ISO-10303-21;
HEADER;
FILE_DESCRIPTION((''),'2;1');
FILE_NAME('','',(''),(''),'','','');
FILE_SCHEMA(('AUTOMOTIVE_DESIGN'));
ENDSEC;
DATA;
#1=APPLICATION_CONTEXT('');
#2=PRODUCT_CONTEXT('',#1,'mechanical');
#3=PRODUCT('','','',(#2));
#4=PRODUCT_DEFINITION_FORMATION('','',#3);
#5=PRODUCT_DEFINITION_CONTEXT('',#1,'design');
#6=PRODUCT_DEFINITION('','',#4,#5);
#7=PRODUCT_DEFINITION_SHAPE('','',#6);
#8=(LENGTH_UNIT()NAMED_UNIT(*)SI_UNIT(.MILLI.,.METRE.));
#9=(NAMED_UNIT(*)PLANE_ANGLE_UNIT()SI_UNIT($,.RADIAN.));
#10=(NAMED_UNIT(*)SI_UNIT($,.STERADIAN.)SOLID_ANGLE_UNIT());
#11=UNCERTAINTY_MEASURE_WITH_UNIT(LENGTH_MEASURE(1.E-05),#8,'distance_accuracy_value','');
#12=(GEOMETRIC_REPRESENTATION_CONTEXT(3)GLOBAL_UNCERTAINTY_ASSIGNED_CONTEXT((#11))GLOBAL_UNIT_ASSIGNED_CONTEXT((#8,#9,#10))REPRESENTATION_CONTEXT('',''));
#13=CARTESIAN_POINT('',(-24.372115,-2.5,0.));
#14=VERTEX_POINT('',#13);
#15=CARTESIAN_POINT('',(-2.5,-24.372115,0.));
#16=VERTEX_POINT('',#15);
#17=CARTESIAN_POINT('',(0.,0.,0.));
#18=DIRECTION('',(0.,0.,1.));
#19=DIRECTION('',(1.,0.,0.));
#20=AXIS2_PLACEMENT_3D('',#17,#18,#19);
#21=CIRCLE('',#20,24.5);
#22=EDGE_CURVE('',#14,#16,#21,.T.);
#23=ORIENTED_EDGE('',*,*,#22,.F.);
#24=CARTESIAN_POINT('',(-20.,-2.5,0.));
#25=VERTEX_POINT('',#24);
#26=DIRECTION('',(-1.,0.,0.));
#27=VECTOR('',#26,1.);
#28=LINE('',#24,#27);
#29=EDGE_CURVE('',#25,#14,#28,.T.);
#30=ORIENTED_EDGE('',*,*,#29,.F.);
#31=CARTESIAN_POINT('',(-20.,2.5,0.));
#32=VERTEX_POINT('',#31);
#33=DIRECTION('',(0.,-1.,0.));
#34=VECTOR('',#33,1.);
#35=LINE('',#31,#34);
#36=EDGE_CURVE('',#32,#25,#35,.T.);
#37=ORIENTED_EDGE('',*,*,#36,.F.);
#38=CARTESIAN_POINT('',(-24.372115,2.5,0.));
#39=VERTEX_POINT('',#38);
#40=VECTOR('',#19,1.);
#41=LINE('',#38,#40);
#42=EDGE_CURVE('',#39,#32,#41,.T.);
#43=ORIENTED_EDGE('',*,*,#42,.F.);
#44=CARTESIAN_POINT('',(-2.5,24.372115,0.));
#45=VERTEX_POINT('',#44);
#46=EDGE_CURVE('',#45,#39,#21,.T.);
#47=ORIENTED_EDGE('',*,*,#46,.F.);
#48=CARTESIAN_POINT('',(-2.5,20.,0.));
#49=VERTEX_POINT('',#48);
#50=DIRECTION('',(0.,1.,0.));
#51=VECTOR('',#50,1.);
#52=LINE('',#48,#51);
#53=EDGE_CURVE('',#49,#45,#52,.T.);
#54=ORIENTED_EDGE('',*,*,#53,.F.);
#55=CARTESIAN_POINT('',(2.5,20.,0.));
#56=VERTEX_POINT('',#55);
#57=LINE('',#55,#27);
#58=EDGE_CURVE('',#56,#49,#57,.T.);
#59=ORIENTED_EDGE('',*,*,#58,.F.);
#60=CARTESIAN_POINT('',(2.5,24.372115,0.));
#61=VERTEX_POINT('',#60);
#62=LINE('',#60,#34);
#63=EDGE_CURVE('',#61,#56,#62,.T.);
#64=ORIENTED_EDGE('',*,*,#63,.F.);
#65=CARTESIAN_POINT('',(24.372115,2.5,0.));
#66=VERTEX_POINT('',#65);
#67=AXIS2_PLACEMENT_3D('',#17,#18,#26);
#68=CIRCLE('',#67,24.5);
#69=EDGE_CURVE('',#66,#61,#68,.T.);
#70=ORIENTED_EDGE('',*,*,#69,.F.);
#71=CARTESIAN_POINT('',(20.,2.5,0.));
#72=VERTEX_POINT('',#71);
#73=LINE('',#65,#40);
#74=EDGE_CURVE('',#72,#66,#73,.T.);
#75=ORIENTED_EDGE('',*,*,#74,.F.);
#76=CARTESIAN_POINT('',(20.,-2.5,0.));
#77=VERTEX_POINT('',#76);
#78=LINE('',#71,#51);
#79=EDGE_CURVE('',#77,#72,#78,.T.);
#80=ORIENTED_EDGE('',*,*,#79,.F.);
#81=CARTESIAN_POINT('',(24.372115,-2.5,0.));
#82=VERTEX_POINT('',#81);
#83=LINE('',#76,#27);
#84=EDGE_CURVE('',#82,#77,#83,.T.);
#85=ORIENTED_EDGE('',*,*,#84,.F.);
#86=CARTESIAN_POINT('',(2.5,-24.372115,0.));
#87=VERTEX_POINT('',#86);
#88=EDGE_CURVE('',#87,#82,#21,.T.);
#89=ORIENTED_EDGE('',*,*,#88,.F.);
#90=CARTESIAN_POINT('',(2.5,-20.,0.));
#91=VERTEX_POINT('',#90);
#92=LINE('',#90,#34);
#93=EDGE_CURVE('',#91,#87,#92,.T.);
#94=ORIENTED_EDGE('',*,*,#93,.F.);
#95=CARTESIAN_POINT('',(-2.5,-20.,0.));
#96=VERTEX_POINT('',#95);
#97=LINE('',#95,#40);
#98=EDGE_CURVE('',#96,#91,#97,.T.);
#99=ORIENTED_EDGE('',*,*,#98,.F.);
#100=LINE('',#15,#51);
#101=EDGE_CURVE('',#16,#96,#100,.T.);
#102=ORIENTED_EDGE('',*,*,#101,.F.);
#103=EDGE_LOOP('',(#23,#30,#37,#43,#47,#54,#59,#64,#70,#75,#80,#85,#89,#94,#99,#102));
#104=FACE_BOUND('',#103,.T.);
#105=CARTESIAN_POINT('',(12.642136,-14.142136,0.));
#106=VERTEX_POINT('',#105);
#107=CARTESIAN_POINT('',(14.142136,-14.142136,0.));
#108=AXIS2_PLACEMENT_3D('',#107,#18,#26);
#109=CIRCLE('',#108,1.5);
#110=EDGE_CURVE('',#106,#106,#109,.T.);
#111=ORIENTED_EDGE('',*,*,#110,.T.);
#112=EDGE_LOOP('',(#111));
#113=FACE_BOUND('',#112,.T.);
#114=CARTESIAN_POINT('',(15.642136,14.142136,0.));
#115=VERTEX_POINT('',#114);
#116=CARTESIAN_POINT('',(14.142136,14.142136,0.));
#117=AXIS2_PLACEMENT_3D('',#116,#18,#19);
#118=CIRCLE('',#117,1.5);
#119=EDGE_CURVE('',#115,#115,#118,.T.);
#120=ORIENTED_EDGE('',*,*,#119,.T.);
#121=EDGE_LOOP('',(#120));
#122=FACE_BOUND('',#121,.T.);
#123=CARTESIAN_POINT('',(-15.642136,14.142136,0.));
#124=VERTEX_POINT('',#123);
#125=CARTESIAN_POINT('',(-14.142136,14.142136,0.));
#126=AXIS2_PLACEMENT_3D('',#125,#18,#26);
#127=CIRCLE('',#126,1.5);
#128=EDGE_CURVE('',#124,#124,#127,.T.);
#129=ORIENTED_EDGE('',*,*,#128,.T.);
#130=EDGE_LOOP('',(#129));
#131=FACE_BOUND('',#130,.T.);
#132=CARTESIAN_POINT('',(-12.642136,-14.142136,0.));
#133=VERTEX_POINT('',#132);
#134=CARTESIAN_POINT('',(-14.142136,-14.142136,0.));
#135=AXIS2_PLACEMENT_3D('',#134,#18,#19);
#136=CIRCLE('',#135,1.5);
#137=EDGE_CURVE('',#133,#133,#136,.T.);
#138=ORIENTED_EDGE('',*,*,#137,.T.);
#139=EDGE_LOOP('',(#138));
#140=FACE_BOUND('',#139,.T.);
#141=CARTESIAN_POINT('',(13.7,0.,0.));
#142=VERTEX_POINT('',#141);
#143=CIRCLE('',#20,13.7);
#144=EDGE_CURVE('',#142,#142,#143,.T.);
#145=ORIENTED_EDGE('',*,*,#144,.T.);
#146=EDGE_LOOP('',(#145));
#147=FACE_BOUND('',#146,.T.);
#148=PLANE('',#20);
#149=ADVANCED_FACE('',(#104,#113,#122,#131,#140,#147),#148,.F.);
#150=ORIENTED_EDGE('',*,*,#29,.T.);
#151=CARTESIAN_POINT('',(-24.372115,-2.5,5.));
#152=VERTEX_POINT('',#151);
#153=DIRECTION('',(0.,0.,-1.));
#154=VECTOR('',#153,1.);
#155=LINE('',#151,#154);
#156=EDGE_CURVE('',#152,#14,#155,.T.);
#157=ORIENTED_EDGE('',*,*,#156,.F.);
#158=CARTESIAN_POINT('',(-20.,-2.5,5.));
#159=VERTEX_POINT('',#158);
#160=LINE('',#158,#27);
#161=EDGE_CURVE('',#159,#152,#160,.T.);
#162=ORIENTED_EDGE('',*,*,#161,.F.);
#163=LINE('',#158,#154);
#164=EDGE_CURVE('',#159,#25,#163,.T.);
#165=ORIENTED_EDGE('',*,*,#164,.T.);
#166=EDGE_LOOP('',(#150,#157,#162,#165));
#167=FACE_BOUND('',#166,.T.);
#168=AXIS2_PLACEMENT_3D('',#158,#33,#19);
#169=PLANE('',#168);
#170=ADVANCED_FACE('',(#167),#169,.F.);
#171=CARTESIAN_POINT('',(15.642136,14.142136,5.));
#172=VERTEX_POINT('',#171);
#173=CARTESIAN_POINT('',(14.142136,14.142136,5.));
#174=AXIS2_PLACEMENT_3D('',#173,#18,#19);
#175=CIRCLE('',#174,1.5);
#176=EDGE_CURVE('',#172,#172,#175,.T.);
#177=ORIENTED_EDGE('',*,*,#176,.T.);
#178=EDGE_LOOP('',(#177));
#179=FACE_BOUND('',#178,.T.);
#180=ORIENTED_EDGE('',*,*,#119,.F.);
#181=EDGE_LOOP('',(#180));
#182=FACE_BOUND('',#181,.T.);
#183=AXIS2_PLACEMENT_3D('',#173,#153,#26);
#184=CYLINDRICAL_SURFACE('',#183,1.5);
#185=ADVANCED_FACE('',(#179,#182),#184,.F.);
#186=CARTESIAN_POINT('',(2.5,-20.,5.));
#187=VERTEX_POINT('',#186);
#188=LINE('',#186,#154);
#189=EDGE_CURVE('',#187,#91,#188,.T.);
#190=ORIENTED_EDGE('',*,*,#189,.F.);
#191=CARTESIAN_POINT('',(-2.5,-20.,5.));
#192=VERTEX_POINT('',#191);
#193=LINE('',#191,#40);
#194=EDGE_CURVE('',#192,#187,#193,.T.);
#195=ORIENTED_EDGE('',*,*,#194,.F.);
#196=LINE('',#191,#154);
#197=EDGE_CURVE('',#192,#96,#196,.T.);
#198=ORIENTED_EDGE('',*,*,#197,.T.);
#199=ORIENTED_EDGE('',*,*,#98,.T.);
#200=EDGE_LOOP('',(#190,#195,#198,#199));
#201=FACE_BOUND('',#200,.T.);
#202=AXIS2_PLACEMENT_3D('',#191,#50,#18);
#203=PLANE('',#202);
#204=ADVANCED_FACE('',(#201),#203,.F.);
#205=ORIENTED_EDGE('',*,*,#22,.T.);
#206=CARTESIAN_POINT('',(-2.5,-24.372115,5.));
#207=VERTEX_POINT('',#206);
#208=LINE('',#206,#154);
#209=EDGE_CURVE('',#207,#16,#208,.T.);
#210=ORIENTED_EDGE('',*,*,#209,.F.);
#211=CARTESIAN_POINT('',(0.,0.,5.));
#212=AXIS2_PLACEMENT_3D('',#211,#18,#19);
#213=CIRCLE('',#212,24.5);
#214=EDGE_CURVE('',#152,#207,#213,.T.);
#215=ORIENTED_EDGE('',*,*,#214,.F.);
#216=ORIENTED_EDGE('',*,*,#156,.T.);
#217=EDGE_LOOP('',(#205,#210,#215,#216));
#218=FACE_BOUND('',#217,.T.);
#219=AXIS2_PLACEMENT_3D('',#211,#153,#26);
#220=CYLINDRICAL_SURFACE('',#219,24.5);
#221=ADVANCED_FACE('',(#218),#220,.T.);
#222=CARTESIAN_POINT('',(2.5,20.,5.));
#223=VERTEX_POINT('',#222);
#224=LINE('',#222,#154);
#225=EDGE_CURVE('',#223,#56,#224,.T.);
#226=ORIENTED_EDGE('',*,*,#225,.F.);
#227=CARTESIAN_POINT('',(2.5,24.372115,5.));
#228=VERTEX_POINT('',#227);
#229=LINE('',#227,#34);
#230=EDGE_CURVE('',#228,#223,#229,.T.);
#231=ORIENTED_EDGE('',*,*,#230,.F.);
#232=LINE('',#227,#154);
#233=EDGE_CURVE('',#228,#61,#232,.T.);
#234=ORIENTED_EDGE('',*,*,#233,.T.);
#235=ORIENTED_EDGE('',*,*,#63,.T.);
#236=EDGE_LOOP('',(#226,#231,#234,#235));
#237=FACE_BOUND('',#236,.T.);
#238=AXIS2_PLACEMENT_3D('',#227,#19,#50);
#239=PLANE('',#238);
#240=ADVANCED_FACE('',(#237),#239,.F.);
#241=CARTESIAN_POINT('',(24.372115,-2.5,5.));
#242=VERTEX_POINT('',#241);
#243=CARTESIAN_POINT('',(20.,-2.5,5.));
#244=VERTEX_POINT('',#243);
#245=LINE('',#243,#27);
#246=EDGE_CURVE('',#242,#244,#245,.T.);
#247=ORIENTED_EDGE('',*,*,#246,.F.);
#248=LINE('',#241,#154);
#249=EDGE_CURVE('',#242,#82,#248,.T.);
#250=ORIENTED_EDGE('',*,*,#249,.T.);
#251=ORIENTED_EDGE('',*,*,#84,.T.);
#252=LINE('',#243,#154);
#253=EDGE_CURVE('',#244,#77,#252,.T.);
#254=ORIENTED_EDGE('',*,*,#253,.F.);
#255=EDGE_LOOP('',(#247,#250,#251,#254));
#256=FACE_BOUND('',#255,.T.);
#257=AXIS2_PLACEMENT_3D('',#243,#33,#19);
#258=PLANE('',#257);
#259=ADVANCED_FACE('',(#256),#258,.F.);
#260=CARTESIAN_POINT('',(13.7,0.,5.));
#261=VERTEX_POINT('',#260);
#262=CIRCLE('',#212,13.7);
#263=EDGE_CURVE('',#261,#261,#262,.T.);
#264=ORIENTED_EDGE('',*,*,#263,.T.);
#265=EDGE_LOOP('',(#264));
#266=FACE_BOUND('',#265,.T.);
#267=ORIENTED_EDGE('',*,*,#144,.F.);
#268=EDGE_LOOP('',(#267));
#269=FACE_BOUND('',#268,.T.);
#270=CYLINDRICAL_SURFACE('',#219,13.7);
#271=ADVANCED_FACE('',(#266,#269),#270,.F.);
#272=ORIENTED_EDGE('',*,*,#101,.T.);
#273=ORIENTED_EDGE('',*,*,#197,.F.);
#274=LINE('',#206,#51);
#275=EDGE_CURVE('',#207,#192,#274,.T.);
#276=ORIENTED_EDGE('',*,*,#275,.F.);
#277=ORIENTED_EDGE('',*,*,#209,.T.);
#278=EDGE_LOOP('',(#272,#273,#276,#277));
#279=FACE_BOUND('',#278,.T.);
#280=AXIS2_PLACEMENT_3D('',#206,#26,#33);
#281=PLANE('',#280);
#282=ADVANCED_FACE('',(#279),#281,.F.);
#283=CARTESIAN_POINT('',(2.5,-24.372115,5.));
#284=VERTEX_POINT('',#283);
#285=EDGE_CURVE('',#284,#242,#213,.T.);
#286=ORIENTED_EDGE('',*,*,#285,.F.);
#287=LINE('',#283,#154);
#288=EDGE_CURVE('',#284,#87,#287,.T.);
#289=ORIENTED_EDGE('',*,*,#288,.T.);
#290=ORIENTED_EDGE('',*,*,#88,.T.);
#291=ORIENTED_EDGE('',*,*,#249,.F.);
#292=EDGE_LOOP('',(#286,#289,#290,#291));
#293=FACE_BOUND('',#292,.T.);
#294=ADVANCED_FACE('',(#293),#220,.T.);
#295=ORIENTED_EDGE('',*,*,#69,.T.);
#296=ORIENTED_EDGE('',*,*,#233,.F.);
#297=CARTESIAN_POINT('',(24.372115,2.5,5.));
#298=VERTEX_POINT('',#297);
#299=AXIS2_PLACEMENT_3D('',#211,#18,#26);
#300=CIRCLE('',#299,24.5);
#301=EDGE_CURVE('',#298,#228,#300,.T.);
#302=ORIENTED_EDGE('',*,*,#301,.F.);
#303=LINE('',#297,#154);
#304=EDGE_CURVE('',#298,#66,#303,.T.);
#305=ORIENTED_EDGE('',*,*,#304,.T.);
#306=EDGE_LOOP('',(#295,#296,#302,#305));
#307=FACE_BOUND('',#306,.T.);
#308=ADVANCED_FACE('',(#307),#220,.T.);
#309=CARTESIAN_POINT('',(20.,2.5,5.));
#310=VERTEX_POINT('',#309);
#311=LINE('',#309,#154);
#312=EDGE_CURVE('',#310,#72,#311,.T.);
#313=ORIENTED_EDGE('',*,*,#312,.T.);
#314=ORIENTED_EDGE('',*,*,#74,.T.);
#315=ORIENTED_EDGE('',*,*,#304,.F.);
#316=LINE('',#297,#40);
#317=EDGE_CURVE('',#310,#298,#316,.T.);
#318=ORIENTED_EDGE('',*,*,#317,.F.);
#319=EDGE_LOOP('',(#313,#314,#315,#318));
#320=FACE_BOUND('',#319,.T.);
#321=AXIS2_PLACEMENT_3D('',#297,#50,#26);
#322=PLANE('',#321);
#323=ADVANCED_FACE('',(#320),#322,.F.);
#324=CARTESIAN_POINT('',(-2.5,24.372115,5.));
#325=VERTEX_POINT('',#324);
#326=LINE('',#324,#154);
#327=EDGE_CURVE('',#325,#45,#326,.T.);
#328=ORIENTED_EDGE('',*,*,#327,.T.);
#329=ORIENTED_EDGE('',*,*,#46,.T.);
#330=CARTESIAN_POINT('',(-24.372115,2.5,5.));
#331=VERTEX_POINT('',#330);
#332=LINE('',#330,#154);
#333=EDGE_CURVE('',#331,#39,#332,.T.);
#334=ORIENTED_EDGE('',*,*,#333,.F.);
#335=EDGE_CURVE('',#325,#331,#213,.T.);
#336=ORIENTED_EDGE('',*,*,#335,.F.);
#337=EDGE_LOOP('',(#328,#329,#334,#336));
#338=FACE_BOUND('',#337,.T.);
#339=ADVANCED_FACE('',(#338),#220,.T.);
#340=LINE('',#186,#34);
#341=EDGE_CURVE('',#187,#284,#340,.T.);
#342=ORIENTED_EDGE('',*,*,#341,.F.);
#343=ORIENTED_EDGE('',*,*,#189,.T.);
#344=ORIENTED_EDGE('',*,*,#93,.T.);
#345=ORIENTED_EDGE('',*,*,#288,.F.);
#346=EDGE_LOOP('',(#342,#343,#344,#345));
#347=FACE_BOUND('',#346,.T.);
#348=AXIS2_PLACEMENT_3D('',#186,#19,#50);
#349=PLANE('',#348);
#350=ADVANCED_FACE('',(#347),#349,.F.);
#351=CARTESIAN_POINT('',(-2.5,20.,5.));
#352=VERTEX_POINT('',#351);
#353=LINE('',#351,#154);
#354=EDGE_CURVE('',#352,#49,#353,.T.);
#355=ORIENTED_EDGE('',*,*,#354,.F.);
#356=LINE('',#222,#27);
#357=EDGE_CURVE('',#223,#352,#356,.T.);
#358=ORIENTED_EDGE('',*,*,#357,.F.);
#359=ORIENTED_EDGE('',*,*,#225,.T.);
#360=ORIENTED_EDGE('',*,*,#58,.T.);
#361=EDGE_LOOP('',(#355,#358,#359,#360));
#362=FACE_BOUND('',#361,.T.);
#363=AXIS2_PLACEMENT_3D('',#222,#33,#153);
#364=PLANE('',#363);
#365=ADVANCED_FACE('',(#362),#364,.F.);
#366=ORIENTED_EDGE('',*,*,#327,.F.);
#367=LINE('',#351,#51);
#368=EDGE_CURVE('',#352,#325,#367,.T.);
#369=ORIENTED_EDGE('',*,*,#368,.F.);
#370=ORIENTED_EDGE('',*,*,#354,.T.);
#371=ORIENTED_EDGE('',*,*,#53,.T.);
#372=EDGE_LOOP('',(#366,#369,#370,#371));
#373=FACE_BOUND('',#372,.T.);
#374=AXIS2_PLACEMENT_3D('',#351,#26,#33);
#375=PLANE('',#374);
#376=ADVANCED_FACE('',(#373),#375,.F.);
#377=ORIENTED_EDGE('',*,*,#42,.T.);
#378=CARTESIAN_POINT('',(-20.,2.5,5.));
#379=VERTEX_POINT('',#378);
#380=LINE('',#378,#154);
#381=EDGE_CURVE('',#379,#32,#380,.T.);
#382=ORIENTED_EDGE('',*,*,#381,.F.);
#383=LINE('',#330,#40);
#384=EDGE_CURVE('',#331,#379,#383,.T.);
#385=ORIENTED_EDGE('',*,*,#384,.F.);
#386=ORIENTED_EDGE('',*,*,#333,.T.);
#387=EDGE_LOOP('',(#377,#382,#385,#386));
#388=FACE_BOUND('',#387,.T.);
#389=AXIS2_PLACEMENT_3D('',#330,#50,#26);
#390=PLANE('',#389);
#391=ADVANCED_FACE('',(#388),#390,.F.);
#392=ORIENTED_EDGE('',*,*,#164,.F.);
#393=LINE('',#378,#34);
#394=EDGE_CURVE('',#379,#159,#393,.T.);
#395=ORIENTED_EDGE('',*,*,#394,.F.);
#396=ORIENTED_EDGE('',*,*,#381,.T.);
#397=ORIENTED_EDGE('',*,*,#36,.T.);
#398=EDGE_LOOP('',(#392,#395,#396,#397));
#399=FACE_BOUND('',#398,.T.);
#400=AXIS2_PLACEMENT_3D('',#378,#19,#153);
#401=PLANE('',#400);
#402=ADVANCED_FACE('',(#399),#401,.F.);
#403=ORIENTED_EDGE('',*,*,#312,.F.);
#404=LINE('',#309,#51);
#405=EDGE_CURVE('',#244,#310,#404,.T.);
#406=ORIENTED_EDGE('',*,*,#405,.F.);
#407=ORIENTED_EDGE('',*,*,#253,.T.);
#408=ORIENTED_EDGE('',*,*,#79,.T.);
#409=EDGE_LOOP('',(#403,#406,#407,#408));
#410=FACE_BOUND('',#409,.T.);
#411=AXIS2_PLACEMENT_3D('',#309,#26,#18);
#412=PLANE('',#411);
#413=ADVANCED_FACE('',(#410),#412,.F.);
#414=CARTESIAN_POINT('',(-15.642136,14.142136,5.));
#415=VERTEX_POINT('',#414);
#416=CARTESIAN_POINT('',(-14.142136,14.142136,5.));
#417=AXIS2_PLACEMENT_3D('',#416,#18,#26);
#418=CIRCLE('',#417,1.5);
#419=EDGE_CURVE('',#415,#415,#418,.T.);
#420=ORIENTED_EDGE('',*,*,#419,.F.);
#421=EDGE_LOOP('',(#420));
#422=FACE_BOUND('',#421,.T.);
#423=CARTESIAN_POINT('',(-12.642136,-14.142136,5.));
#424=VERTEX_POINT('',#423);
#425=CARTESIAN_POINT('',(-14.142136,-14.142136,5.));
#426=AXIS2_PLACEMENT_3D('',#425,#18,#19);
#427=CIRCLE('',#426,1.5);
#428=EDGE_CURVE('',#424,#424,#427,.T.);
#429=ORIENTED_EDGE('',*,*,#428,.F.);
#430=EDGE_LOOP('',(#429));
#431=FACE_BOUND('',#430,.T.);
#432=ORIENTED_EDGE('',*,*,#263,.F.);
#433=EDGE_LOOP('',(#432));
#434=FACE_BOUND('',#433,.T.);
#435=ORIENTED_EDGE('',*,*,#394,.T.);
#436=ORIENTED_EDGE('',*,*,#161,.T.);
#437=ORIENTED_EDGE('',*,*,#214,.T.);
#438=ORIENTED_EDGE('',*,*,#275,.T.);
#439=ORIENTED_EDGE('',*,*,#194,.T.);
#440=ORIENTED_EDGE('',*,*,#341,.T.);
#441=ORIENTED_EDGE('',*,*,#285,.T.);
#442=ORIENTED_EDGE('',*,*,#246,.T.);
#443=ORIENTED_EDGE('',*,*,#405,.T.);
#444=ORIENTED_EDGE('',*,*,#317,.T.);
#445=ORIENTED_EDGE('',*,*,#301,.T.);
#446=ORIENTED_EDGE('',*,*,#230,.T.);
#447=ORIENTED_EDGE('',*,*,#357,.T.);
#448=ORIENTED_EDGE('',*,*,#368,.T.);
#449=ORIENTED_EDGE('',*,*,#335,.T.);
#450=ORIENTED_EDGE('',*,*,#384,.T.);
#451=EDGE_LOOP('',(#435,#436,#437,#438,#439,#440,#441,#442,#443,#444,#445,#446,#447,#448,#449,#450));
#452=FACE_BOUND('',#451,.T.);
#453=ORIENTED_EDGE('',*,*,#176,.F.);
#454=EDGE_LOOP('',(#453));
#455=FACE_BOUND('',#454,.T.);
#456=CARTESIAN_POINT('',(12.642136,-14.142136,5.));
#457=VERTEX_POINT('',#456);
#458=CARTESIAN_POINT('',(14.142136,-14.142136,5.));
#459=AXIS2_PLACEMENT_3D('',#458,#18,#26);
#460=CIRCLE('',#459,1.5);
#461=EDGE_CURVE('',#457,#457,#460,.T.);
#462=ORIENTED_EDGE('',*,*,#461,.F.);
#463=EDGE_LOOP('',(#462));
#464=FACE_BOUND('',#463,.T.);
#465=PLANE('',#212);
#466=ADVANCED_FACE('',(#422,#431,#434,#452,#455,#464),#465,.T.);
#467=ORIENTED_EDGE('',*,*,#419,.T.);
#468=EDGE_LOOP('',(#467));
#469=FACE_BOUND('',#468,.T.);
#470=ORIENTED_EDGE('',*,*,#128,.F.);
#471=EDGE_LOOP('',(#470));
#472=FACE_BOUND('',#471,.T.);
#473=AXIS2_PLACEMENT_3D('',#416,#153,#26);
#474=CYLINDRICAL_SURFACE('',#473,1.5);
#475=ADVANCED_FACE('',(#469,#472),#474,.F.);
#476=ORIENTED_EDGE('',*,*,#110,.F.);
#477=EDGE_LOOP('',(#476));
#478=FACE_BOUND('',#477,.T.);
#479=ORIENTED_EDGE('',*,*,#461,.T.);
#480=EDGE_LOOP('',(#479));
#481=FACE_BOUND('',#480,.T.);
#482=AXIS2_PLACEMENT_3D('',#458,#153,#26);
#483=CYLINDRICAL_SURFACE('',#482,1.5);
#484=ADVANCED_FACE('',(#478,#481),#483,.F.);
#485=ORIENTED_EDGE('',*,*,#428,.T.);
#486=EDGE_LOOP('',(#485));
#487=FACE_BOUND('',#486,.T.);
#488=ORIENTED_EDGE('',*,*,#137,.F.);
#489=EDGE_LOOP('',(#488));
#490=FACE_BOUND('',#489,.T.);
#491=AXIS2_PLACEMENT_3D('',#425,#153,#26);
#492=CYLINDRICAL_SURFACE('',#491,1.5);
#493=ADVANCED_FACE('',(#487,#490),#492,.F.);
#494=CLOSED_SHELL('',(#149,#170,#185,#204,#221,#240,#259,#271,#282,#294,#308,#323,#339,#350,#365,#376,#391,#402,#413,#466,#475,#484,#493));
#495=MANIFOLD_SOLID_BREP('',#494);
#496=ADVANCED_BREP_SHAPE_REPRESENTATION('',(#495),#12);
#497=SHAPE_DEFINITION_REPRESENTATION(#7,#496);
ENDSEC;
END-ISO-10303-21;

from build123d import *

# Parameters (mm, degrees)
ESQUISSE1_R        = 13.7
ESQUISSE1_R_2      = 1.5
BOSS_EXTRU_1_DEPTH = 5


with BuildPart() as part:
    # Esquisse1 → Boss.-Extru.1 (new body)
    with BuildSketch(Plane.XY):
        with BuildLine():
            Line((24.372115214, 2.5), (20, 2.5))
            Line((20, 2.5), (20, -2.5))
            Line((20, -2.5), (24.372115214, -2.5))
            ThreePointArc((24.372115214, -2.5), (17.324116139, -17.324116139), (2.5, -24.372115214))
            Line((2.5, -24.372115214), (2.5, -20))
            Line((2.5, -20), (-2.5, -20))
            Line((-2.5, -20), (-2.5, -24.372115214))
            ThreePointArc((-2.5, -24.372115214), (-17.324116139, -17.324116139), (-24.372115214, -2.5))
            Line((-24.372115214, -2.5), (-20, -2.5))
            Line((-20, -2.5), (-20, 2.5))
            Line((-20, 2.5), (-24.372115214, 2.5))
            ThreePointArc((-24.372115214, 2.5), (-17.324116139, 17.324116139), (-2.5, 24.372115214))
            Line((-2.5, 24.372115214), (-2.5, 20))
            Line((-2.5, 20), (2.5, 20))
            Line((2.5, 20), (2.5, 24.372115214))
            ThreePointArc((2.5, 24.372115214), (17.324116139, 17.324116139), (24.372115214, 2.5))
        make_face()
        Circle(ESQUISSE1_R, mode=Mode.SUBTRACT)
        with Locations((14.142135624, 14.142135624)):
            Circle(ESQUISSE1_R_2, mode=Mode.SUBTRACT)
        with Locations(Location((14.142135624, -14.142135624, 0), (0, 0, 180))):
            Circle(ESQUISSE1_R_2, mode=Mode.SUBTRACT)
        with Locations(Location((-14.142135624, 14.142135624, 0), (0, 0, 180))):
            Circle(ESQUISSE1_R_2, mode=Mode.SUBTRACT)
        with Locations((-14.142135624, -14.142135624)):
            Circle(ESQUISSE1_R_2, mode=Mode.SUBTRACT)
    extrude(amount=BOSS_EXTRU_1_DEPTH)


solid = part.part
